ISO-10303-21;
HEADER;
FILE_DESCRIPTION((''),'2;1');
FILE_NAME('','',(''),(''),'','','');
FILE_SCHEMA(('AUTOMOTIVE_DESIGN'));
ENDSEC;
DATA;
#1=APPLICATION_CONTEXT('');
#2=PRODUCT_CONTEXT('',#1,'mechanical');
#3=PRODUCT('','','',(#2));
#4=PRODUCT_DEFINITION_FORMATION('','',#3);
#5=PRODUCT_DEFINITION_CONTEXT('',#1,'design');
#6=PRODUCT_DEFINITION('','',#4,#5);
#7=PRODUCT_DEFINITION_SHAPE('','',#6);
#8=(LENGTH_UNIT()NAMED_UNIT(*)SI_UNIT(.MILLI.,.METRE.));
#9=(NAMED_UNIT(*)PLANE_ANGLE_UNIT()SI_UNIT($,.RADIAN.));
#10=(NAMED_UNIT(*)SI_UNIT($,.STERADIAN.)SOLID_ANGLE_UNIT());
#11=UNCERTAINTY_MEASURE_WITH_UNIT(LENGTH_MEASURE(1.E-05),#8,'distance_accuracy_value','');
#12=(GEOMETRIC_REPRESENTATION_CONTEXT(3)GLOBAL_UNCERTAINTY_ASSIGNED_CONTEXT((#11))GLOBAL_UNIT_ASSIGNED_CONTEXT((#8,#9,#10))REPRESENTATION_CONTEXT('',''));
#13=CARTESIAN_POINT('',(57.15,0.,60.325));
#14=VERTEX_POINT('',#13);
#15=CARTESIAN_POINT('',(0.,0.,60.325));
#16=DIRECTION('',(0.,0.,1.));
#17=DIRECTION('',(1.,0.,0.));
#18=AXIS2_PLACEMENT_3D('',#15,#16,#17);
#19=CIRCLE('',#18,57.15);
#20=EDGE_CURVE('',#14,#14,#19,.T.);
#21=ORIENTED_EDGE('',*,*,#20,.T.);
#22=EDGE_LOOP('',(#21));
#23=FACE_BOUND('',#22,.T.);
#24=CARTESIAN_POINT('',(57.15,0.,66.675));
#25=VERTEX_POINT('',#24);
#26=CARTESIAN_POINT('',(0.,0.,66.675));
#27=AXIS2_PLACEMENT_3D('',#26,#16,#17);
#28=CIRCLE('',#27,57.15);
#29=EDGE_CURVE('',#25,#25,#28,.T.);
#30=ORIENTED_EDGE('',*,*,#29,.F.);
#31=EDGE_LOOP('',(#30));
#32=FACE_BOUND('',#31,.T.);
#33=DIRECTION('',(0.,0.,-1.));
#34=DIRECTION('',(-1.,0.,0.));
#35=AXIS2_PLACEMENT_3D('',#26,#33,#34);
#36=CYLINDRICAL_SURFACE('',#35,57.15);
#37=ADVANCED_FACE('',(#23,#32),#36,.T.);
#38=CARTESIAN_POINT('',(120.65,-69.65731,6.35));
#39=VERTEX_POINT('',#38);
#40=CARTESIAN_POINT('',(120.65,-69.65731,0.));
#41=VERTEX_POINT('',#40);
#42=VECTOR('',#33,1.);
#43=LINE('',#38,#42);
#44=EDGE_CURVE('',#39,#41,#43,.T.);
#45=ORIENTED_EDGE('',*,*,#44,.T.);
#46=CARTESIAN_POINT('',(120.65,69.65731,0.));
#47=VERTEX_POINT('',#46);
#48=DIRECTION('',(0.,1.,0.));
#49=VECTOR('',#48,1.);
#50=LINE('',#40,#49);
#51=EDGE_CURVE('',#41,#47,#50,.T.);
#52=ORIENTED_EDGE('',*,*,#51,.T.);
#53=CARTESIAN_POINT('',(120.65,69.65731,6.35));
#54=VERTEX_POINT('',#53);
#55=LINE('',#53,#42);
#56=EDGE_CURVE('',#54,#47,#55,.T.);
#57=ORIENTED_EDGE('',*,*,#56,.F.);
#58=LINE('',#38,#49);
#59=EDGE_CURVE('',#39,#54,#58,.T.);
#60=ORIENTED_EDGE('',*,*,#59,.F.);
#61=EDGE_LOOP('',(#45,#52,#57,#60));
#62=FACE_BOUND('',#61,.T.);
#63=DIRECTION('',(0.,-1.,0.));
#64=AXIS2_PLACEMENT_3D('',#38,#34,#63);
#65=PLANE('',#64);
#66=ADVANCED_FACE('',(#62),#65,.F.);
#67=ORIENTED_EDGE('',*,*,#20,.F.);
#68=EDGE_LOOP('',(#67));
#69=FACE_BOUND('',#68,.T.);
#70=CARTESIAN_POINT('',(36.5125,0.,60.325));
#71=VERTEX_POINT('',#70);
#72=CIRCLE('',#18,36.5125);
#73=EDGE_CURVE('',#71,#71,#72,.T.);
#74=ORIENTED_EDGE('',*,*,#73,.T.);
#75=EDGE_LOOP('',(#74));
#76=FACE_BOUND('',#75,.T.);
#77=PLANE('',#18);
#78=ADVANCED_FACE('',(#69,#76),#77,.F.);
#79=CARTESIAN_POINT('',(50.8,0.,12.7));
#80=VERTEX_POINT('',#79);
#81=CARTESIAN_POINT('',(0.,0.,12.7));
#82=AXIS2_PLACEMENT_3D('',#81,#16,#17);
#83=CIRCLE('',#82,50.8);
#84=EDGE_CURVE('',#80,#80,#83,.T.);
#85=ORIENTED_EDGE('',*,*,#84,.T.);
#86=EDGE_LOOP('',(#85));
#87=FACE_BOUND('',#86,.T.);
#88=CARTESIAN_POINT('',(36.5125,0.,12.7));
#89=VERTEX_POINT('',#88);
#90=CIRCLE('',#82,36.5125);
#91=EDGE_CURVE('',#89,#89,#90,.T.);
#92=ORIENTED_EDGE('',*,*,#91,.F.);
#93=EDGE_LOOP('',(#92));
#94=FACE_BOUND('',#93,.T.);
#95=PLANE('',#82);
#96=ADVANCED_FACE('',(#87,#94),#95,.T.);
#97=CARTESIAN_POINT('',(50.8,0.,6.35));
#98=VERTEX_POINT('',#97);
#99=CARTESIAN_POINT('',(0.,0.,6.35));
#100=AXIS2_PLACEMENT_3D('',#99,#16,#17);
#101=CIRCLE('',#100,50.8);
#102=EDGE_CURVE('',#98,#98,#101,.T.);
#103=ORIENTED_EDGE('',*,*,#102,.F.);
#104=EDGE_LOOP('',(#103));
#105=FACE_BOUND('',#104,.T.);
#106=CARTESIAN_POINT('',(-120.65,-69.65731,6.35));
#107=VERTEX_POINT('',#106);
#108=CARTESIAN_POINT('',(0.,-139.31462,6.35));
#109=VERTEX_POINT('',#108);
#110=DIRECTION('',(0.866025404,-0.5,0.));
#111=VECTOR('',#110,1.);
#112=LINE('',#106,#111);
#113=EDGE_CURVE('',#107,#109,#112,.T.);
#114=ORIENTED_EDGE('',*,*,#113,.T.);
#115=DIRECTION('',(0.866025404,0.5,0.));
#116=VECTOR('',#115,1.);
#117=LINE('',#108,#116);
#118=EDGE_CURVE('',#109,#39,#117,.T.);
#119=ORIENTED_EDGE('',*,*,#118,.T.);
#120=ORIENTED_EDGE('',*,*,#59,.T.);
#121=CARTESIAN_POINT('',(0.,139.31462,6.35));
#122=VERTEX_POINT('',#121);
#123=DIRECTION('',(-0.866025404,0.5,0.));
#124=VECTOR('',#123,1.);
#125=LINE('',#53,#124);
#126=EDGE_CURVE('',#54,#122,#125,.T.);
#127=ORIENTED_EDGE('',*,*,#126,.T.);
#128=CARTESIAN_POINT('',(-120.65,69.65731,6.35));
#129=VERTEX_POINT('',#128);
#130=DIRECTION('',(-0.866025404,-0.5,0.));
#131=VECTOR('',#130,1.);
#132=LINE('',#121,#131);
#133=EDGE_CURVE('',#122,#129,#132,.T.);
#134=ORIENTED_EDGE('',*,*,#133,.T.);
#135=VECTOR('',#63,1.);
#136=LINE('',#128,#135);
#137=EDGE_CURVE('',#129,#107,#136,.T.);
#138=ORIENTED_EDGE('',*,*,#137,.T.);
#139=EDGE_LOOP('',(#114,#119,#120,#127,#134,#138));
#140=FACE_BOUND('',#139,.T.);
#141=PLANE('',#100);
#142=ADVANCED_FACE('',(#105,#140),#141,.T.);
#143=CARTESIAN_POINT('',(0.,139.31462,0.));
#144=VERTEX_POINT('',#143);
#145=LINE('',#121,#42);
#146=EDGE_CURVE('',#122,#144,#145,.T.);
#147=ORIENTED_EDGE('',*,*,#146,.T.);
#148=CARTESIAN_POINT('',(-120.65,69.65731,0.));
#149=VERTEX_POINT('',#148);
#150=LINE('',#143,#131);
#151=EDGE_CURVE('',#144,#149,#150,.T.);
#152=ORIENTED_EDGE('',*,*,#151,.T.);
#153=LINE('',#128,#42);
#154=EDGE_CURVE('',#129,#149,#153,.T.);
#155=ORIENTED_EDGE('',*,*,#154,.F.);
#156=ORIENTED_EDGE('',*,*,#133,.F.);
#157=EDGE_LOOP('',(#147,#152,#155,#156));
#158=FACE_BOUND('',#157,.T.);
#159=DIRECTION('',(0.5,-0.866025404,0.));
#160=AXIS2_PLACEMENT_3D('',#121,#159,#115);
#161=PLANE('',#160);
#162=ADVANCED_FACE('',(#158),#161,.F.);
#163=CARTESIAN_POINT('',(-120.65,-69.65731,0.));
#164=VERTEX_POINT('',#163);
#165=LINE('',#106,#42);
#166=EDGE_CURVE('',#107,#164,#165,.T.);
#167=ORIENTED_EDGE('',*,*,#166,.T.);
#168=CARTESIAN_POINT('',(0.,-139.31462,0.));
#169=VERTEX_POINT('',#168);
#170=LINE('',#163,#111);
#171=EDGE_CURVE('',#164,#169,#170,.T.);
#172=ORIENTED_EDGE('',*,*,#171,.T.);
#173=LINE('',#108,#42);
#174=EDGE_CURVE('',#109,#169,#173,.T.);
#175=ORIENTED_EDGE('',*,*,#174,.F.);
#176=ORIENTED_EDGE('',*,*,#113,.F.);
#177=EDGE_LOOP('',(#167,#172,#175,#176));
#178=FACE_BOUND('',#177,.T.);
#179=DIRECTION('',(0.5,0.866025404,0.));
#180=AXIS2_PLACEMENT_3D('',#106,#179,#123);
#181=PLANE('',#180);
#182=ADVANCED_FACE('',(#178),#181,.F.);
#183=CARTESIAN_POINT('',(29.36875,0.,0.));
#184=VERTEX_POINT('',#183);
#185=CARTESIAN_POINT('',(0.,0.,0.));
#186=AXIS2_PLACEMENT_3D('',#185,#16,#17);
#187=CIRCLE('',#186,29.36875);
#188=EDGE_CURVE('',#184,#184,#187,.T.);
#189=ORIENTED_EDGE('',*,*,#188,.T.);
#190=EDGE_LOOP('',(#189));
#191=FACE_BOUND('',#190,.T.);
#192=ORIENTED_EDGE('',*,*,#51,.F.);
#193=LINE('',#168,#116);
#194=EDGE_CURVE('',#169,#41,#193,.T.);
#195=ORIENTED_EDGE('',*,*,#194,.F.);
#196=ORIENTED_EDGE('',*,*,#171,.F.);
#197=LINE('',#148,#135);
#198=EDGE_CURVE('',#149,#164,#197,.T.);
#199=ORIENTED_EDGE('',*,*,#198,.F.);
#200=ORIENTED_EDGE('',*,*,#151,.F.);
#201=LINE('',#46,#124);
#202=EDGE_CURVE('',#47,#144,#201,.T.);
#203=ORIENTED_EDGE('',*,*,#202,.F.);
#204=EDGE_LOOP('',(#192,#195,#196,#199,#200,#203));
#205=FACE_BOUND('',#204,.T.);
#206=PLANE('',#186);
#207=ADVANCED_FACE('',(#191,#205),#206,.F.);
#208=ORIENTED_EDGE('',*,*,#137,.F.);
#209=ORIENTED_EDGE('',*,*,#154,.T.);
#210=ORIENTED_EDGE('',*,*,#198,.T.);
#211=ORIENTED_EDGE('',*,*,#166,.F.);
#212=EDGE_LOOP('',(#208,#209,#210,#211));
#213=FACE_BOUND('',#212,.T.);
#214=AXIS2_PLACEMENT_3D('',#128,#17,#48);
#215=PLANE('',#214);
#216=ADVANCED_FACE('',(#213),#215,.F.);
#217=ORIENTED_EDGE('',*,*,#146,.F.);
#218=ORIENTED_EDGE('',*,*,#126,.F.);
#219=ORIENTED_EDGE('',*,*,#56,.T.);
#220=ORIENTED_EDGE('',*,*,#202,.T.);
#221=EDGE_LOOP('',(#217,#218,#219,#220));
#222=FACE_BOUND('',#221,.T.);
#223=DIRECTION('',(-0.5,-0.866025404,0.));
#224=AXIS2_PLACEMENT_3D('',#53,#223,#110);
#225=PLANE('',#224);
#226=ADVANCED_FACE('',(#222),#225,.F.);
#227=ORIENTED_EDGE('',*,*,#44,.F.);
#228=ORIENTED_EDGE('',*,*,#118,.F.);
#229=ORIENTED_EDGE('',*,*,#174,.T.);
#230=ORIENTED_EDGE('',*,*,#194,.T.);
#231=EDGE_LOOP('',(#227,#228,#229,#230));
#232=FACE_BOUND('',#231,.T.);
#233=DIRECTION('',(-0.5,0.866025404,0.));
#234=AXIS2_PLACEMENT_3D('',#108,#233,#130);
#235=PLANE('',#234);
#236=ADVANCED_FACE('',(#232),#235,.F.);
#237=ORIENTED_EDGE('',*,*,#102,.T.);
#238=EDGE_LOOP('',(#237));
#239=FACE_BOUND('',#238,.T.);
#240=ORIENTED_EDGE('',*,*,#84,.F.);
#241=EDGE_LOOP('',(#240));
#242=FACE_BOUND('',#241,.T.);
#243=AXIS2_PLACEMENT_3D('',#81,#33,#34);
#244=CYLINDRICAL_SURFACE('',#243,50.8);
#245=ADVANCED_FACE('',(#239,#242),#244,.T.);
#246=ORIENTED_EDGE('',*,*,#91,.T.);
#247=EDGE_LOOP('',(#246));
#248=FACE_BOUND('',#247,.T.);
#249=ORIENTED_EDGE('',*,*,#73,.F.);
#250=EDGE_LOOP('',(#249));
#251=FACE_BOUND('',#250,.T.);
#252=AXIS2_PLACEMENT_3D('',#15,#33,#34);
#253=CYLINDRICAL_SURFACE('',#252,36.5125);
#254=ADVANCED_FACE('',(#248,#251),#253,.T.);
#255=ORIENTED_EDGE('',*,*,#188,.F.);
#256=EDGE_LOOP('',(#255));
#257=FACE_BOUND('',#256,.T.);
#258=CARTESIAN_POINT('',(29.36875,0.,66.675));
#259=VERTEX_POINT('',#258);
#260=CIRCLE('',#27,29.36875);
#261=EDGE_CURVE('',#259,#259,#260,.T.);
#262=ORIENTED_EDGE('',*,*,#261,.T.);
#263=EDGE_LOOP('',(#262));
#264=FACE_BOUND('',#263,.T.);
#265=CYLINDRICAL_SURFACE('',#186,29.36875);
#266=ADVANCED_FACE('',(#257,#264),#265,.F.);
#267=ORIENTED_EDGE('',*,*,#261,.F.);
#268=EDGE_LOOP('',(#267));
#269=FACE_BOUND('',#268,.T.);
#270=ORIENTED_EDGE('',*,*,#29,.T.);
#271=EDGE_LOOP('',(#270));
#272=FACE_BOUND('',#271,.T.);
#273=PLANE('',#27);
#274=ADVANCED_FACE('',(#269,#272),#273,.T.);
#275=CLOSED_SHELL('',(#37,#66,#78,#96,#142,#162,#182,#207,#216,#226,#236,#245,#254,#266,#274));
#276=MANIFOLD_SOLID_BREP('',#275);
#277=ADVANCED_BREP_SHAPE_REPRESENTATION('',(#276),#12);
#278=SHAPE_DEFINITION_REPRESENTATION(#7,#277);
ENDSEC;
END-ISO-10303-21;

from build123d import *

# Parameters (mm, degrees)
HEX_BASE_DEPTH      = 6.35
SKETCH2_R           = 29.36875
ID_2_DEPTH          = 185.405282824
PIPE_START          = 53.975
SKETCH3_R           = 36.5125
SKETCH3_R_2         = 29.36875
PIPE_DEPTH          = 53.975
FLANGE_START        = 6.35
SKETCH4_R           = 57.15
SKETCH4_R_2         = 29.36875
FLANGE_DEPTH        = 6.35
REINFORCEMENT_START = 6.35
SKETCH5_R           = 50.8
SKETCH5_R_2         = 36.5125
REINFORCEMENT_DEPTH = 6.35


with BuildPart() as part:
    # Sketch1 → hex_base (new body)
    with BuildSketch(Plane.XY):
        Polygon((120.65, 69.657309978), (0, 139.314619955), (-120.65, 69.657309978), (-120.65, -69.657309978), (0, -139.314619955), (120.65, -69.657309978), align=None)
    extrude(amount=HEX_BASE_DEPTH)

    # Sketch2 → ID 2 (cut, through all)
    with BuildSketch(Plane.XY.offset(6.35)):
        Circle(SKETCH2_R)
    extrude(amount=-ID_2_DEPTH, mode=Mode.SUBTRACT)

    # Sketch3 → pipe (add)
    with BuildSketch(Plane.XY.offset(6.35).offset(PIPE_START)):
        Circle(SKETCH3_R)
        Circle(SKETCH3_R_2, mode=Mode.SUBTRACT)
    extrude(amount=-PIPE_DEPTH)

    # Sketch4 → flange (add)
    with BuildSketch(Plane.XY.offset(60.325).offset(FLANGE_START)):
        Circle(SKETCH4_R)
        Circle(SKETCH4_R_2, mode=Mode.SUBTRACT)
    extrude(amount=-FLANGE_DEPTH)

    # Sketch5 → reinforcement (add)
    with BuildSketch(Plane.XY.offset(6.35).offset(REINFORCEMENT_START)):
        Circle(SKETCH5_R)
        Circle(SKETCH5_R_2, mode=Mode.SUBTRACT)
    extrude(amount=-REINFORCEMENT_DEPTH)


solid = part.part
